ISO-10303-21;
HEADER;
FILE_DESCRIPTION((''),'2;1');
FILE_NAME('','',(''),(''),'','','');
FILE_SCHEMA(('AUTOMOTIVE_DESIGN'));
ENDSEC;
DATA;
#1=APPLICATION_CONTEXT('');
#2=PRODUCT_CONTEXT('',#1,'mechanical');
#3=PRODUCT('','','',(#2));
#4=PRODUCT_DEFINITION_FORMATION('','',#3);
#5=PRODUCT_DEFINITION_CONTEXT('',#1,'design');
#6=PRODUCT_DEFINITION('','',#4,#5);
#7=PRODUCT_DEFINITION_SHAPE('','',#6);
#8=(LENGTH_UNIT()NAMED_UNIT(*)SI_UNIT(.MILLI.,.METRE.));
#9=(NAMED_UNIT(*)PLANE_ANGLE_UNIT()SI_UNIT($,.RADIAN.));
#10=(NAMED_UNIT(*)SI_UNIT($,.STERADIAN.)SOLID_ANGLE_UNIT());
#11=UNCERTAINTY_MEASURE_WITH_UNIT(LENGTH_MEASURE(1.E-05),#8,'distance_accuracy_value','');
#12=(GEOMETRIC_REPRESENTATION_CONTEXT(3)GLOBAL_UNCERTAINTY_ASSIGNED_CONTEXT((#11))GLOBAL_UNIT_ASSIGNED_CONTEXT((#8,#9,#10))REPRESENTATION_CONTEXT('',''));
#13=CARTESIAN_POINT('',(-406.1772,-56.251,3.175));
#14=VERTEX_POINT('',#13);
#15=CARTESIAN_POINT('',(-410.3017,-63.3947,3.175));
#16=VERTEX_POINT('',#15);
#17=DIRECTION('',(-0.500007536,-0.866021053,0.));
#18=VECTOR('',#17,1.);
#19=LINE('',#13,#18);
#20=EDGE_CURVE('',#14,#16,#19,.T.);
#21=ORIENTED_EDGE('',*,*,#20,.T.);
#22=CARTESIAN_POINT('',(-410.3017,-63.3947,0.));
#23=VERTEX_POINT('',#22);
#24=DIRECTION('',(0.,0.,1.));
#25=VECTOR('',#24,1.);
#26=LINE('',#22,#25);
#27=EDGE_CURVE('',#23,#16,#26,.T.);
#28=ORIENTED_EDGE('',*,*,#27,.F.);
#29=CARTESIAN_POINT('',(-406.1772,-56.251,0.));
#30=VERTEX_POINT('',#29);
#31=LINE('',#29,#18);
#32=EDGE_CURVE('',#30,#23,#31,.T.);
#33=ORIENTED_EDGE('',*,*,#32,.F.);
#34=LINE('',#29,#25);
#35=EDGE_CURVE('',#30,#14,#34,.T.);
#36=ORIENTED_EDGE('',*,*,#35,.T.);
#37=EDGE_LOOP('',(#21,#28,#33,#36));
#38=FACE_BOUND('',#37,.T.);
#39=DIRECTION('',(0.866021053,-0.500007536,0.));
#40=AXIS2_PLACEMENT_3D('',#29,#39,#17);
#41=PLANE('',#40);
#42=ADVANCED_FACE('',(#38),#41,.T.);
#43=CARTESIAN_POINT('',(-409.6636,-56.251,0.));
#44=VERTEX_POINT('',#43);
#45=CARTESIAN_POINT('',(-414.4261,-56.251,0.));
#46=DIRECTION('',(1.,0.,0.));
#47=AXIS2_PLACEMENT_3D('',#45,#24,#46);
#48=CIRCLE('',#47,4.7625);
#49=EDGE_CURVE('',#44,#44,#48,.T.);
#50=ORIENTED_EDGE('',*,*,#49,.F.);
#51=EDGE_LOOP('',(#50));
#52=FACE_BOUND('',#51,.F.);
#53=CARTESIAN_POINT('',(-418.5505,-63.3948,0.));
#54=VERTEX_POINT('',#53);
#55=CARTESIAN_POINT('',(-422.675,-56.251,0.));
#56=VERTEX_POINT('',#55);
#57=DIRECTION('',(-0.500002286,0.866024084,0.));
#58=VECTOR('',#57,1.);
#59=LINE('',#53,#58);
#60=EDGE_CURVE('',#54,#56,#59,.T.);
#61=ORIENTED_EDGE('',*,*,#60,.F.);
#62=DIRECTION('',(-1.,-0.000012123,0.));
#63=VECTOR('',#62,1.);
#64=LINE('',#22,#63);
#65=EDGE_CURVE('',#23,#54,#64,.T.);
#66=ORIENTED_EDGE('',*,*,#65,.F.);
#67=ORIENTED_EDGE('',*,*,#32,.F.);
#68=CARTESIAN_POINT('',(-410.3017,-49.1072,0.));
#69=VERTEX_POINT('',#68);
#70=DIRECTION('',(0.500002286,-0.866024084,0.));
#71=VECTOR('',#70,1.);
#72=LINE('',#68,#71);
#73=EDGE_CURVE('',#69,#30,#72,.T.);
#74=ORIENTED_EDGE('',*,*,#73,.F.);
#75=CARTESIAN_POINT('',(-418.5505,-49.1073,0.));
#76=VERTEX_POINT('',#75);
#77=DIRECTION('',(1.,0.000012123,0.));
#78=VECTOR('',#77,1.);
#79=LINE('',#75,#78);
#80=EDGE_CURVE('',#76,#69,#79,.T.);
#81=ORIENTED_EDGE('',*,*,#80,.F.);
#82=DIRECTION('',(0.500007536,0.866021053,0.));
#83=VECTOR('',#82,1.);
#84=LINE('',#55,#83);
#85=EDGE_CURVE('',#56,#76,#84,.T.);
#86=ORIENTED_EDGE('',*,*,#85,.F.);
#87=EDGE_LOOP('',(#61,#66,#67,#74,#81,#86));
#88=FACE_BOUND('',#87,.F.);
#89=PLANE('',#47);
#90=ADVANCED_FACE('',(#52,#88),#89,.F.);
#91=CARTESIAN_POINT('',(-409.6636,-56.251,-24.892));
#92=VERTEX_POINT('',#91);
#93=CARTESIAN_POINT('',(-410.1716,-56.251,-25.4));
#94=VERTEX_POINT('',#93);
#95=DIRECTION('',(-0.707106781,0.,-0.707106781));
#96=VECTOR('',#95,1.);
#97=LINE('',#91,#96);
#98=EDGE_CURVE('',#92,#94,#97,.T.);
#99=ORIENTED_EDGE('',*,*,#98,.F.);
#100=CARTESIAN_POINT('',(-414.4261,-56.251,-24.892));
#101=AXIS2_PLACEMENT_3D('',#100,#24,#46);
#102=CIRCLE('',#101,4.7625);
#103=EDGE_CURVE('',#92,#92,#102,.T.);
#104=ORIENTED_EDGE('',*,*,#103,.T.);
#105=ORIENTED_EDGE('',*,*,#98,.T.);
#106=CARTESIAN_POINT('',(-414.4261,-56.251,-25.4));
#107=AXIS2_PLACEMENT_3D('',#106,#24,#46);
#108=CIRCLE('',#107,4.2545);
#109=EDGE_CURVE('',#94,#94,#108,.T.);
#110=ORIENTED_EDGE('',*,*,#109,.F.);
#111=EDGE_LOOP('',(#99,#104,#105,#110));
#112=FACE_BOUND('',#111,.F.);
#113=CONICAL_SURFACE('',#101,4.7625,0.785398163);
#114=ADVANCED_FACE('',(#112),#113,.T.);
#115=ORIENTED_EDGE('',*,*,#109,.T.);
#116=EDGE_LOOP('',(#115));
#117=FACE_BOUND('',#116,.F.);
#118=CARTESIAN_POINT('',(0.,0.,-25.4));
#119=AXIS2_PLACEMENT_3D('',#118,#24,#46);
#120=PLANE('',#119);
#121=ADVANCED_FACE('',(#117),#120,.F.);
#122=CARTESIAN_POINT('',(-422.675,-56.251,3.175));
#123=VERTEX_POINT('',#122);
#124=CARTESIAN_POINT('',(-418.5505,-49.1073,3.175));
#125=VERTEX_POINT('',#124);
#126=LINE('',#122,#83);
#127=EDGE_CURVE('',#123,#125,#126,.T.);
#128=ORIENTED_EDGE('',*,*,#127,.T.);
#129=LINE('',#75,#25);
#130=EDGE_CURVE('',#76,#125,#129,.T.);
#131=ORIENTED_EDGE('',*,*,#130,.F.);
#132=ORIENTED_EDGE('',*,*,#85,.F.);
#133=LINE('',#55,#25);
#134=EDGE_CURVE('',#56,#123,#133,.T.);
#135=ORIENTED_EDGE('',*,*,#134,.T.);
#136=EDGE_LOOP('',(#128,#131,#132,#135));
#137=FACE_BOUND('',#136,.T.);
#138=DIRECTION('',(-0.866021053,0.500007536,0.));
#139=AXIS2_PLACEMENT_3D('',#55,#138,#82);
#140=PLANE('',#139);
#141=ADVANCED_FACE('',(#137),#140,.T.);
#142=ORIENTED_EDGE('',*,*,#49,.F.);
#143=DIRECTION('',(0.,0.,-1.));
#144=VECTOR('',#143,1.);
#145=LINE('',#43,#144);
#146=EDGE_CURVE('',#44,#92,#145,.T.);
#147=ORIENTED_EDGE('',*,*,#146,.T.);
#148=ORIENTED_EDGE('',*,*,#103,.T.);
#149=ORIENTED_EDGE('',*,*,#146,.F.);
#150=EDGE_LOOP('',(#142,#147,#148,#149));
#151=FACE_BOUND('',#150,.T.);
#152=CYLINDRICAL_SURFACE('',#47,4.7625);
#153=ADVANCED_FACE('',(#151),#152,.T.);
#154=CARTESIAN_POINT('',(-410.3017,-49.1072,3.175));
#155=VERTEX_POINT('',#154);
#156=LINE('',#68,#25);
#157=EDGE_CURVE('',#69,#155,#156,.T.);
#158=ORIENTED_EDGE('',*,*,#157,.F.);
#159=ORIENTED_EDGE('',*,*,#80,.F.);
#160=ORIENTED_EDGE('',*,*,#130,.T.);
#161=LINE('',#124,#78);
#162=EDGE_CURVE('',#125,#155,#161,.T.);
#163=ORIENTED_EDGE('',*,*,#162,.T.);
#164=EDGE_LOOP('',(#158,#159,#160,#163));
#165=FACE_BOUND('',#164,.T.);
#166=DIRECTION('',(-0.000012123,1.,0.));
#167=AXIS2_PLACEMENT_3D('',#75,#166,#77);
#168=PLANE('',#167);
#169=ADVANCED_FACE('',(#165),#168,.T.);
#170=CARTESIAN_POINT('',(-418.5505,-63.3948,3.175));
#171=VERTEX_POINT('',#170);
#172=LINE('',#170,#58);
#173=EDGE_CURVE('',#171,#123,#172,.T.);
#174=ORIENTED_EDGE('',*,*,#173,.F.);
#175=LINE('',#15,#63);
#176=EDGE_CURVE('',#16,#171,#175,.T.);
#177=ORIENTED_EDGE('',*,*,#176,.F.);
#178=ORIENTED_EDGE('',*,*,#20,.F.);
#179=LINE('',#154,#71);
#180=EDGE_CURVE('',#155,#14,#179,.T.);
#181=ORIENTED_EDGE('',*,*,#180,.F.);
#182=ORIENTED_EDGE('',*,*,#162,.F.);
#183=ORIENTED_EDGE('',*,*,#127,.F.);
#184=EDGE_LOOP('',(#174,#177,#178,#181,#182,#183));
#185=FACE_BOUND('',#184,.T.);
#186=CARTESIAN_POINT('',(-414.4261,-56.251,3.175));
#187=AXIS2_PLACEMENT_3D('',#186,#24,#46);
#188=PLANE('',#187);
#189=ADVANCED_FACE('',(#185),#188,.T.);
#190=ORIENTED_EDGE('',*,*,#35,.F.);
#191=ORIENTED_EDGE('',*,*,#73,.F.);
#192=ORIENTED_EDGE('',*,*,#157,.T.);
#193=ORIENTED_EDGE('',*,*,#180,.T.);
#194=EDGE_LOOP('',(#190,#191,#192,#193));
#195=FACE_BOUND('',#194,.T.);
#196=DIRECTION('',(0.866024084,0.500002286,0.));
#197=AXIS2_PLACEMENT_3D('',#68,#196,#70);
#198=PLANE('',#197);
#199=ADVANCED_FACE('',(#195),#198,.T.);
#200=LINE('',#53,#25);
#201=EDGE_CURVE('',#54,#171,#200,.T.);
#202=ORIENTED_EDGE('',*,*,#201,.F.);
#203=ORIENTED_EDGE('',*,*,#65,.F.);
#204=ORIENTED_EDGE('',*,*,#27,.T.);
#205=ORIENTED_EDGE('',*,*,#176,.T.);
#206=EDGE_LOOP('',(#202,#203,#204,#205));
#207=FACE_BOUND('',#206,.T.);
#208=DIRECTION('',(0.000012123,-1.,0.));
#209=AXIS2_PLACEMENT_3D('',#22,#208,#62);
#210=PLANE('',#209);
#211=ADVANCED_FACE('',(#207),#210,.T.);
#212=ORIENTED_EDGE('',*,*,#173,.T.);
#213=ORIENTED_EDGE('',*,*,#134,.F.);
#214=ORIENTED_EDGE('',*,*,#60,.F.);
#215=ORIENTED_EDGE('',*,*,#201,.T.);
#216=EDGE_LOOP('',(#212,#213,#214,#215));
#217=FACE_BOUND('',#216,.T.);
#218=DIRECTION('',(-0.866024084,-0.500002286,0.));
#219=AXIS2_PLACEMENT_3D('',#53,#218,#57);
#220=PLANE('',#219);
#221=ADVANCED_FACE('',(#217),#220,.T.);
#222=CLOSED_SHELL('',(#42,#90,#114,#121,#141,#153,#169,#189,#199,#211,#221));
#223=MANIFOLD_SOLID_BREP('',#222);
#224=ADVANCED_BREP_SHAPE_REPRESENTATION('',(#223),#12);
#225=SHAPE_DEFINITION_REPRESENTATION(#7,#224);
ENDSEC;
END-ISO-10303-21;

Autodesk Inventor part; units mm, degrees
ref_plane "YZ Plane" through (0, 0, 0) normal (1, 0, 0) x (0, 1, 0)
ref_plane "XZ Plane" through (0, 0, 0) normal (0, 1, 0) x (-1, 0, 0)
ref_plane "XY Plane" through (0, 0, 0) normal (0, 0, 1) x (1, 0, 0)
sketch "Sketch1" plane through (0, 0, 0) normal (0, 0, 1) x (1, 0, 0)
  circle A0 centre (-414.4261, -56.251) radius 4.7625
  point P0 (0, 0)
  dimension "d0" = 9.525
extrude "Extrusion1" add sketch "Sketch1" against normal blind 25.4
sketch "Sketch2" plane through (-414.4261, -56.251, 0) normal (0, 0, 1) x (1, 0, 0)
  circle A0 centre (0, 0) radius 4.7625 projected
  line L0 (-8.2489, 0) -> (-4.1244, 7.1437)
  line L1 (-4.1244, 7.1437) -> (4.1244, 7.1438)
  line L2 (4.1244, 7.1438) -> (8.2489, 0)
  line L3 (8.2489, 0) -> (4.1244, -7.1437)
  line L4 (4.1244, -7.1437) -> (-4.1244, -7.1438)
  line L5 (-4.1244, -7.1438) -> (-8.2489, 0)
  point P0 (414.4261, 56.251)
  dimension "d3" = 14.2875
extrude "Extrusion2" add sketch "Sketch2" along normal blind 3.175 contours A0 | L0 L1 L2 L3 L4 L5
thread "Thread1" size "3/8-16 UNC" class "2A" standard "ANSI Unified Screw Threads" full length
chamfer "Chamfer1" distance 0.508 angle 45 1 edges at (-419.1886, -56.251, -25.4)
properties part number "375 bolt x4" material "Steel"
